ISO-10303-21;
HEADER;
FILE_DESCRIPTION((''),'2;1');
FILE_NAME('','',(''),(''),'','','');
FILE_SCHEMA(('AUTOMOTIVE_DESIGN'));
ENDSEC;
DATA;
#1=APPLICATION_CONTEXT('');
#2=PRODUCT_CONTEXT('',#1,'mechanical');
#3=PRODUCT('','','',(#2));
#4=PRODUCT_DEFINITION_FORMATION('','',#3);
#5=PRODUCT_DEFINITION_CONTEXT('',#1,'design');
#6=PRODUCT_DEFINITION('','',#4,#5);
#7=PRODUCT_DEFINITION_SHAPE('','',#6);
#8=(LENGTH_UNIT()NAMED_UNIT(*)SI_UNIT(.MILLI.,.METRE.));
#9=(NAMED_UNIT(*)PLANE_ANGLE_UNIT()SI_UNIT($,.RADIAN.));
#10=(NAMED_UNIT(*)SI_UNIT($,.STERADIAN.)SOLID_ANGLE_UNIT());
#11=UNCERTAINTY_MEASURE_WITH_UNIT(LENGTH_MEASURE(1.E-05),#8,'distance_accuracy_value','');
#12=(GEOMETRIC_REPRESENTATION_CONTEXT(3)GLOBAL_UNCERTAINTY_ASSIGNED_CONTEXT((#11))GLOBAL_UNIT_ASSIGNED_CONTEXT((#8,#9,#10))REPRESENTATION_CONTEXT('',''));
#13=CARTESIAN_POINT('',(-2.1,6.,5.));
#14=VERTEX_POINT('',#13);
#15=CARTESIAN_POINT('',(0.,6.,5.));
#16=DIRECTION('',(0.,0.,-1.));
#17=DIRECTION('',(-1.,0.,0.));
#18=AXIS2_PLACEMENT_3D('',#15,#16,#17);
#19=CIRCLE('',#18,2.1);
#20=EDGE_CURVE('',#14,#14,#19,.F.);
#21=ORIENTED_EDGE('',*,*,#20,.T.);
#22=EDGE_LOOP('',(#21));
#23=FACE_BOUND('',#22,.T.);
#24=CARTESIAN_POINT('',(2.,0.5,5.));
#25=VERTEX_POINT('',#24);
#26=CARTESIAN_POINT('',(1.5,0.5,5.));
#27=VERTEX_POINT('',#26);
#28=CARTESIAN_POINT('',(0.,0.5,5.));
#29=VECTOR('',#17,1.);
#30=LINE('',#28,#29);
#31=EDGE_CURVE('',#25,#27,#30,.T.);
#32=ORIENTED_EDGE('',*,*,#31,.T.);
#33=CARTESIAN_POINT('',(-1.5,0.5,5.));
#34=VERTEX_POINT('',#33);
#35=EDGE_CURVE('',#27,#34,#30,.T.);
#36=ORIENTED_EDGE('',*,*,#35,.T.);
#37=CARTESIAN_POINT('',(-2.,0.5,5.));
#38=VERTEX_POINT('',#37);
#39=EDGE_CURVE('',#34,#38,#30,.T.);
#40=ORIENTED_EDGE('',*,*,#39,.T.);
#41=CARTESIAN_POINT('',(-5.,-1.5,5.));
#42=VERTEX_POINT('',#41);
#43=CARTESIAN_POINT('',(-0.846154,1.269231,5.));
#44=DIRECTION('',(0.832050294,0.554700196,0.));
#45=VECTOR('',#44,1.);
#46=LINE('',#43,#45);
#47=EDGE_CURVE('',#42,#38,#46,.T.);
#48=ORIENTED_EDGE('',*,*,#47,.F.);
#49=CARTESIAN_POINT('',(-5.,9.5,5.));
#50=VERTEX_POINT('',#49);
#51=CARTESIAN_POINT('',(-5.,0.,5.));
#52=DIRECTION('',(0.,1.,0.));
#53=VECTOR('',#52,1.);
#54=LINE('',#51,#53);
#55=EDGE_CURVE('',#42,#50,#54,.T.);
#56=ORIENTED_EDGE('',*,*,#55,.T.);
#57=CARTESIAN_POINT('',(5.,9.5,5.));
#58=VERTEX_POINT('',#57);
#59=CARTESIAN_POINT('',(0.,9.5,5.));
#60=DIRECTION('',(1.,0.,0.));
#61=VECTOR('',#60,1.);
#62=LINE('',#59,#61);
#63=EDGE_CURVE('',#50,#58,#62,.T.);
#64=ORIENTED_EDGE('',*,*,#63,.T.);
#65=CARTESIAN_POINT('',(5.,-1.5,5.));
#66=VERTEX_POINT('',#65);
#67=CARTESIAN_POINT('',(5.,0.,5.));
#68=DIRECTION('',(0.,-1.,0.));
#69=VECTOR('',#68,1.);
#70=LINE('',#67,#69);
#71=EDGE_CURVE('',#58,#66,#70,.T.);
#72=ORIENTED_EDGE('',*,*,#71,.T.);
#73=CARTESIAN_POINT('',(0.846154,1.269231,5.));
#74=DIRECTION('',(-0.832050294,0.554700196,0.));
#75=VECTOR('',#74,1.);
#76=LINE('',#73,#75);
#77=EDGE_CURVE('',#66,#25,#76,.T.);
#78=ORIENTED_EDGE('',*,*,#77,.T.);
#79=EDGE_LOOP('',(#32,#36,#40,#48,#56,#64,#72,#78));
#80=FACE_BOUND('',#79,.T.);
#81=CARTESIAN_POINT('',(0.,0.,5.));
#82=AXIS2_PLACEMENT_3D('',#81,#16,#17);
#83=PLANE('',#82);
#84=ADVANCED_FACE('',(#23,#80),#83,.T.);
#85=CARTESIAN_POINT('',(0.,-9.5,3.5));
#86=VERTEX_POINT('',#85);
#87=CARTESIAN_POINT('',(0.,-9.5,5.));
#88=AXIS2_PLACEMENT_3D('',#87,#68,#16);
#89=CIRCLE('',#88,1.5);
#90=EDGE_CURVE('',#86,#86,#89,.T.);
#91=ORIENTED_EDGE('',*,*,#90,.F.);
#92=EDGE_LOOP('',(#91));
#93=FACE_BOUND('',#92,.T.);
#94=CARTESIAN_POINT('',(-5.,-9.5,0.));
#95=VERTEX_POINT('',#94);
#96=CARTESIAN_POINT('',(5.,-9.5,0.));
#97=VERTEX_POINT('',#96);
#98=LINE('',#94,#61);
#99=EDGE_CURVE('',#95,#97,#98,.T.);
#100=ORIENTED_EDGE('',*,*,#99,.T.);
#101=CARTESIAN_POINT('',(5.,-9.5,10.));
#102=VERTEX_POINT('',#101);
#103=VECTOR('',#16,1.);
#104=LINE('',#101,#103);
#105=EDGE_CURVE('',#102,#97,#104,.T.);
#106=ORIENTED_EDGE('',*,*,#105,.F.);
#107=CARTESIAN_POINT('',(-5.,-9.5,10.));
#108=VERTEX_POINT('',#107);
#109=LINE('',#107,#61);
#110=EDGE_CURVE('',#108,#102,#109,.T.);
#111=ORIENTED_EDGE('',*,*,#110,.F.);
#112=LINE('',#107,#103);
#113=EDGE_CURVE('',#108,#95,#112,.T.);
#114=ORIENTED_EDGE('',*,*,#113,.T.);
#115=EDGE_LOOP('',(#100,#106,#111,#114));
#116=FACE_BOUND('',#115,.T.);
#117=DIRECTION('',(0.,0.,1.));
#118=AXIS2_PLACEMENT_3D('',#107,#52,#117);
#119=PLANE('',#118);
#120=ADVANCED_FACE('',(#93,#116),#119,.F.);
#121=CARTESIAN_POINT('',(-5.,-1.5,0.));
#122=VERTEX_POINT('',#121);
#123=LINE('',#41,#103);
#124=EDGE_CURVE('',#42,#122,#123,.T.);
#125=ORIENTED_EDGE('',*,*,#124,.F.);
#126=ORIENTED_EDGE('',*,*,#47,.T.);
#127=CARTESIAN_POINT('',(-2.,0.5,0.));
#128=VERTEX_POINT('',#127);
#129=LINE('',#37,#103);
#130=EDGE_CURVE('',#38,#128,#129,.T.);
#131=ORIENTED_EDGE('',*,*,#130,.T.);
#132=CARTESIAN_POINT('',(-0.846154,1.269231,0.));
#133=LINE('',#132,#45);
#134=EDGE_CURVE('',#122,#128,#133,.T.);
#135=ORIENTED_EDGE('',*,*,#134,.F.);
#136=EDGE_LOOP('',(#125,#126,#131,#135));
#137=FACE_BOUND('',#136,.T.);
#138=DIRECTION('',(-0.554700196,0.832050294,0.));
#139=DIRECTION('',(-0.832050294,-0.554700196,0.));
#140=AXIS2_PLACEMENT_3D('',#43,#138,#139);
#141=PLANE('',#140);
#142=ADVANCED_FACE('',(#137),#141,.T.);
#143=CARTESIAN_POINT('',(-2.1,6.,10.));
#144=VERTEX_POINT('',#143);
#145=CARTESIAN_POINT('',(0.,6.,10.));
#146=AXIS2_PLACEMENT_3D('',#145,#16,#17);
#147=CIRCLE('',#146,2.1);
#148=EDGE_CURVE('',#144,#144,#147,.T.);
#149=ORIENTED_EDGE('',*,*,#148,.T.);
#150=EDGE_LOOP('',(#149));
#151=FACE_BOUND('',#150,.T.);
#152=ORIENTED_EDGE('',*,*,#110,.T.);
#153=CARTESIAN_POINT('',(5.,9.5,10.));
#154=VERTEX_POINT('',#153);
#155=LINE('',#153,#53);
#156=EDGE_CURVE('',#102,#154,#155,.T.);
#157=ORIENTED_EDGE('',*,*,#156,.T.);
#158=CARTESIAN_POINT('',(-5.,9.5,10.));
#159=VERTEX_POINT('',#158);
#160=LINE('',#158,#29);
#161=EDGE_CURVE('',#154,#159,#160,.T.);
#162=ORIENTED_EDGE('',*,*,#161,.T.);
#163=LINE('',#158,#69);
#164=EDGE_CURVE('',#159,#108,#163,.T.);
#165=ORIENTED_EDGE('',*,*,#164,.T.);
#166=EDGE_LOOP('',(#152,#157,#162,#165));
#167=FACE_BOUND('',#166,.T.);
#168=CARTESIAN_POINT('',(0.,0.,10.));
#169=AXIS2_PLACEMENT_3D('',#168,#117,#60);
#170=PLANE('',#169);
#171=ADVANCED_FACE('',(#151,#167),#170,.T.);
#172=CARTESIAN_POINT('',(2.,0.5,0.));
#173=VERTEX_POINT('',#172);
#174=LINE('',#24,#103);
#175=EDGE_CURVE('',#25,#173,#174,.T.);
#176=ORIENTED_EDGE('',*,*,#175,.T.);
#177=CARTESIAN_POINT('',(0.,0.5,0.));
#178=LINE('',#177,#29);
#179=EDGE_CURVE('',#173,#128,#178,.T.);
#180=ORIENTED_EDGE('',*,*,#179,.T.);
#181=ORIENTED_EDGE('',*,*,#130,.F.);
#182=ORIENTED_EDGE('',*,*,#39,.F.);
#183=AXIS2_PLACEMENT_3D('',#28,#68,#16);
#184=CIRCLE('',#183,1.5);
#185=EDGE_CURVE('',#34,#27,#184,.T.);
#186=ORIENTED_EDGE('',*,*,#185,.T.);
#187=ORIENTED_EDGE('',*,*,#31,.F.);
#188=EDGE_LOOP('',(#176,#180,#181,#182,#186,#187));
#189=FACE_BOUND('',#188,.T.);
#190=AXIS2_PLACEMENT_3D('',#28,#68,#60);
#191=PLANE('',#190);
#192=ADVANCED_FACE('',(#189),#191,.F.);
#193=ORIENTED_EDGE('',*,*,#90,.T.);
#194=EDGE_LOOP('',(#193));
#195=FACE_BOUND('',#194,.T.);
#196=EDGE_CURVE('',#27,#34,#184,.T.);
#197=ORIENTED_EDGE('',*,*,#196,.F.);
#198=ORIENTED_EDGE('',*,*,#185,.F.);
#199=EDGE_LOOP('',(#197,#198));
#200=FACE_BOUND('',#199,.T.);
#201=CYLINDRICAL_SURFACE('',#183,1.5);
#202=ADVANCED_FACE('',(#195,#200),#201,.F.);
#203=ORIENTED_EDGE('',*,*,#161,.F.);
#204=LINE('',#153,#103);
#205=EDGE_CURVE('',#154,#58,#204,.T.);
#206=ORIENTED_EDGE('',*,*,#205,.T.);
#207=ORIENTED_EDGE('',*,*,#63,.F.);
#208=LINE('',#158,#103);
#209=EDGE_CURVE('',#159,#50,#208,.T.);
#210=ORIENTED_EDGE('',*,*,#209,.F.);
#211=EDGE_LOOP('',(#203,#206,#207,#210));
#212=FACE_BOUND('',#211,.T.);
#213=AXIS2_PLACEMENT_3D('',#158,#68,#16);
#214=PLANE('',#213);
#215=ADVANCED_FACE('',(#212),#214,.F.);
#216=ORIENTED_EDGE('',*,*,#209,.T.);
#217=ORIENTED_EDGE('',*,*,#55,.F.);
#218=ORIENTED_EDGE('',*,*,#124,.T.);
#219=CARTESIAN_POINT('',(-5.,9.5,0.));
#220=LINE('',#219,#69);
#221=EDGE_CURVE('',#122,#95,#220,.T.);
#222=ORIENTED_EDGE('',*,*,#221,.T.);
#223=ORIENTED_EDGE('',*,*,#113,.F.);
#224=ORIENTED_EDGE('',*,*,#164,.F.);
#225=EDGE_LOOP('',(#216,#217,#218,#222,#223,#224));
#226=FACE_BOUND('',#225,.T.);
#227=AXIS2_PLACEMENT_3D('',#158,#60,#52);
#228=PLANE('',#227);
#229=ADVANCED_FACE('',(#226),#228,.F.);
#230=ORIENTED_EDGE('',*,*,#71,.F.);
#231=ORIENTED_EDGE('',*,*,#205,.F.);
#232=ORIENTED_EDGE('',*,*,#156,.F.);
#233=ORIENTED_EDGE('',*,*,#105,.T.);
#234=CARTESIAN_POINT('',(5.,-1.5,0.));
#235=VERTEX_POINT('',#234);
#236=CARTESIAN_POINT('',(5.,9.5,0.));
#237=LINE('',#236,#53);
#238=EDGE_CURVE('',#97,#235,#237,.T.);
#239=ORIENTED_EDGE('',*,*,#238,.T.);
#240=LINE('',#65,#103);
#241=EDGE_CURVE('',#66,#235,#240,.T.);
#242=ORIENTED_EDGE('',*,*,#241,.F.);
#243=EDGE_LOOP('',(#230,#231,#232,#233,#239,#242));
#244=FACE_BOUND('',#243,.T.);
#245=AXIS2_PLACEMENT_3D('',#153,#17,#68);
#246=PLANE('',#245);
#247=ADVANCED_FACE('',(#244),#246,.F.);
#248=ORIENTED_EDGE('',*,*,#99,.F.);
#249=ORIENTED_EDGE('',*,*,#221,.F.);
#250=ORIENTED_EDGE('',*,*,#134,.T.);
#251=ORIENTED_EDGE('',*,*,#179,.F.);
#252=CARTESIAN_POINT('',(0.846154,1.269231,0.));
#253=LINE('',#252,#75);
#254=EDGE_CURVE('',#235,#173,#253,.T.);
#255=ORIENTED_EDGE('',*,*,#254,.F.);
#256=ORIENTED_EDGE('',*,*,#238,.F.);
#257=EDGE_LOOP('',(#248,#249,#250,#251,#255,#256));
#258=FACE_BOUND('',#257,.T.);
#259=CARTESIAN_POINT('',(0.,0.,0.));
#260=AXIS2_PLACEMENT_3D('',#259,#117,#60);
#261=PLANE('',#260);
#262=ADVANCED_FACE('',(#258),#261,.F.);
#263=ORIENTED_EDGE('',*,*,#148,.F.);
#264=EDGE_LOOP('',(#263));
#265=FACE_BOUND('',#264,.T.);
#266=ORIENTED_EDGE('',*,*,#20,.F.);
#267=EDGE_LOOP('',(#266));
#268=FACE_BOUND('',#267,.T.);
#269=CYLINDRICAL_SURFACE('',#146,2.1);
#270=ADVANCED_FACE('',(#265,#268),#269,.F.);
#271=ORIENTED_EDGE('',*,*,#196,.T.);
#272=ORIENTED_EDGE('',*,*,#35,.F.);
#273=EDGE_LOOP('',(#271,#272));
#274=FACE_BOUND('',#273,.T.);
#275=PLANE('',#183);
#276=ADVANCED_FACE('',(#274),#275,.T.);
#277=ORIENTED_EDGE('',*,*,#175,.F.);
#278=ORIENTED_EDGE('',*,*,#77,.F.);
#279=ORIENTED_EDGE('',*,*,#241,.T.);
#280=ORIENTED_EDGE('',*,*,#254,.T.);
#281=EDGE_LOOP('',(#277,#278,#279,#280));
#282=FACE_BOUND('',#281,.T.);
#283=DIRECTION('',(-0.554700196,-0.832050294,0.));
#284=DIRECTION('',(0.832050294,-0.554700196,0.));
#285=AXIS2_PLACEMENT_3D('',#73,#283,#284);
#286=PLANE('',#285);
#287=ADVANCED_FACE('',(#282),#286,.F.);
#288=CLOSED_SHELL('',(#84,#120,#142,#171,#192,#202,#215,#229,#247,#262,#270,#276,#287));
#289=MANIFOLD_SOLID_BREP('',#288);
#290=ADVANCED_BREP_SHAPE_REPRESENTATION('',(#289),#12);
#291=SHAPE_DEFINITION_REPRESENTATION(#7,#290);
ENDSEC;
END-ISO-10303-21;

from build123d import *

# Parameters (mm, degrees)
SKETCH_1_W          = 10
SKETCH_1_H          = 19
EXTRUDE_1_DEPTH     = 10
SKETCH_3_R          = 2.1
CUT_EXTRUDE_2_DEPTH = 15.671400751
CUT_EXTRUDE_4_DEPTH = 5
SKETCH_2_R          = 1.5
CUT_EXTRUDE_1_DEPTH = 10


with BuildPart() as part:
    # 草图1 → 凸台-拉伸1 (new body)
    with BuildSketch(Plane.XY):
        Rectangle(SKETCH_1_W, SKETCH_1_H)
    extrude(amount=EXTRUDE_1_DEPTH)

    # 草图3 → 切除-拉伸2 (cut, through all)
    with BuildSketch(Plane(origin=(0, 0, 0), x_dir=(-1, 0, 0), z_dir=(0, 0, -1))):
        with Locations((0, 6)):
            Circle(SKETCH_3_R)
    extrude(amount=-CUT_EXTRUDE_2_DEPTH, mode=Mode.SUBTRACT)

    # 草图6 → 切除-拉伸4 (cut)
    with BuildSketch(Plane(origin=(0, 0, 0), x_dir=(-1, 0, 0), z_dir=(0, 0, -1))):
        Polygon((5, 9.5), (-5, 9.5), (-5, -1.5), (-2, 0.5), (2, 0.5), (5, -1.5), align=None)
    extrude(amount=-CUT_EXTRUDE_4_DEPTH, mode=Mode.SUBTRACT)

    # 草图2 → 切除-拉伸1 (cut)
    with BuildSketch(Plane.XZ.offset(9.5)):
        with Locations(Location((0, 5, 0), (0, 0, 270))):
            Circle(SKETCH_2_R)
    extrude(amount=-CUT_EXTRUDE_1_DEPTH, mode=Mode.SUBTRACT)


solid = part.part
